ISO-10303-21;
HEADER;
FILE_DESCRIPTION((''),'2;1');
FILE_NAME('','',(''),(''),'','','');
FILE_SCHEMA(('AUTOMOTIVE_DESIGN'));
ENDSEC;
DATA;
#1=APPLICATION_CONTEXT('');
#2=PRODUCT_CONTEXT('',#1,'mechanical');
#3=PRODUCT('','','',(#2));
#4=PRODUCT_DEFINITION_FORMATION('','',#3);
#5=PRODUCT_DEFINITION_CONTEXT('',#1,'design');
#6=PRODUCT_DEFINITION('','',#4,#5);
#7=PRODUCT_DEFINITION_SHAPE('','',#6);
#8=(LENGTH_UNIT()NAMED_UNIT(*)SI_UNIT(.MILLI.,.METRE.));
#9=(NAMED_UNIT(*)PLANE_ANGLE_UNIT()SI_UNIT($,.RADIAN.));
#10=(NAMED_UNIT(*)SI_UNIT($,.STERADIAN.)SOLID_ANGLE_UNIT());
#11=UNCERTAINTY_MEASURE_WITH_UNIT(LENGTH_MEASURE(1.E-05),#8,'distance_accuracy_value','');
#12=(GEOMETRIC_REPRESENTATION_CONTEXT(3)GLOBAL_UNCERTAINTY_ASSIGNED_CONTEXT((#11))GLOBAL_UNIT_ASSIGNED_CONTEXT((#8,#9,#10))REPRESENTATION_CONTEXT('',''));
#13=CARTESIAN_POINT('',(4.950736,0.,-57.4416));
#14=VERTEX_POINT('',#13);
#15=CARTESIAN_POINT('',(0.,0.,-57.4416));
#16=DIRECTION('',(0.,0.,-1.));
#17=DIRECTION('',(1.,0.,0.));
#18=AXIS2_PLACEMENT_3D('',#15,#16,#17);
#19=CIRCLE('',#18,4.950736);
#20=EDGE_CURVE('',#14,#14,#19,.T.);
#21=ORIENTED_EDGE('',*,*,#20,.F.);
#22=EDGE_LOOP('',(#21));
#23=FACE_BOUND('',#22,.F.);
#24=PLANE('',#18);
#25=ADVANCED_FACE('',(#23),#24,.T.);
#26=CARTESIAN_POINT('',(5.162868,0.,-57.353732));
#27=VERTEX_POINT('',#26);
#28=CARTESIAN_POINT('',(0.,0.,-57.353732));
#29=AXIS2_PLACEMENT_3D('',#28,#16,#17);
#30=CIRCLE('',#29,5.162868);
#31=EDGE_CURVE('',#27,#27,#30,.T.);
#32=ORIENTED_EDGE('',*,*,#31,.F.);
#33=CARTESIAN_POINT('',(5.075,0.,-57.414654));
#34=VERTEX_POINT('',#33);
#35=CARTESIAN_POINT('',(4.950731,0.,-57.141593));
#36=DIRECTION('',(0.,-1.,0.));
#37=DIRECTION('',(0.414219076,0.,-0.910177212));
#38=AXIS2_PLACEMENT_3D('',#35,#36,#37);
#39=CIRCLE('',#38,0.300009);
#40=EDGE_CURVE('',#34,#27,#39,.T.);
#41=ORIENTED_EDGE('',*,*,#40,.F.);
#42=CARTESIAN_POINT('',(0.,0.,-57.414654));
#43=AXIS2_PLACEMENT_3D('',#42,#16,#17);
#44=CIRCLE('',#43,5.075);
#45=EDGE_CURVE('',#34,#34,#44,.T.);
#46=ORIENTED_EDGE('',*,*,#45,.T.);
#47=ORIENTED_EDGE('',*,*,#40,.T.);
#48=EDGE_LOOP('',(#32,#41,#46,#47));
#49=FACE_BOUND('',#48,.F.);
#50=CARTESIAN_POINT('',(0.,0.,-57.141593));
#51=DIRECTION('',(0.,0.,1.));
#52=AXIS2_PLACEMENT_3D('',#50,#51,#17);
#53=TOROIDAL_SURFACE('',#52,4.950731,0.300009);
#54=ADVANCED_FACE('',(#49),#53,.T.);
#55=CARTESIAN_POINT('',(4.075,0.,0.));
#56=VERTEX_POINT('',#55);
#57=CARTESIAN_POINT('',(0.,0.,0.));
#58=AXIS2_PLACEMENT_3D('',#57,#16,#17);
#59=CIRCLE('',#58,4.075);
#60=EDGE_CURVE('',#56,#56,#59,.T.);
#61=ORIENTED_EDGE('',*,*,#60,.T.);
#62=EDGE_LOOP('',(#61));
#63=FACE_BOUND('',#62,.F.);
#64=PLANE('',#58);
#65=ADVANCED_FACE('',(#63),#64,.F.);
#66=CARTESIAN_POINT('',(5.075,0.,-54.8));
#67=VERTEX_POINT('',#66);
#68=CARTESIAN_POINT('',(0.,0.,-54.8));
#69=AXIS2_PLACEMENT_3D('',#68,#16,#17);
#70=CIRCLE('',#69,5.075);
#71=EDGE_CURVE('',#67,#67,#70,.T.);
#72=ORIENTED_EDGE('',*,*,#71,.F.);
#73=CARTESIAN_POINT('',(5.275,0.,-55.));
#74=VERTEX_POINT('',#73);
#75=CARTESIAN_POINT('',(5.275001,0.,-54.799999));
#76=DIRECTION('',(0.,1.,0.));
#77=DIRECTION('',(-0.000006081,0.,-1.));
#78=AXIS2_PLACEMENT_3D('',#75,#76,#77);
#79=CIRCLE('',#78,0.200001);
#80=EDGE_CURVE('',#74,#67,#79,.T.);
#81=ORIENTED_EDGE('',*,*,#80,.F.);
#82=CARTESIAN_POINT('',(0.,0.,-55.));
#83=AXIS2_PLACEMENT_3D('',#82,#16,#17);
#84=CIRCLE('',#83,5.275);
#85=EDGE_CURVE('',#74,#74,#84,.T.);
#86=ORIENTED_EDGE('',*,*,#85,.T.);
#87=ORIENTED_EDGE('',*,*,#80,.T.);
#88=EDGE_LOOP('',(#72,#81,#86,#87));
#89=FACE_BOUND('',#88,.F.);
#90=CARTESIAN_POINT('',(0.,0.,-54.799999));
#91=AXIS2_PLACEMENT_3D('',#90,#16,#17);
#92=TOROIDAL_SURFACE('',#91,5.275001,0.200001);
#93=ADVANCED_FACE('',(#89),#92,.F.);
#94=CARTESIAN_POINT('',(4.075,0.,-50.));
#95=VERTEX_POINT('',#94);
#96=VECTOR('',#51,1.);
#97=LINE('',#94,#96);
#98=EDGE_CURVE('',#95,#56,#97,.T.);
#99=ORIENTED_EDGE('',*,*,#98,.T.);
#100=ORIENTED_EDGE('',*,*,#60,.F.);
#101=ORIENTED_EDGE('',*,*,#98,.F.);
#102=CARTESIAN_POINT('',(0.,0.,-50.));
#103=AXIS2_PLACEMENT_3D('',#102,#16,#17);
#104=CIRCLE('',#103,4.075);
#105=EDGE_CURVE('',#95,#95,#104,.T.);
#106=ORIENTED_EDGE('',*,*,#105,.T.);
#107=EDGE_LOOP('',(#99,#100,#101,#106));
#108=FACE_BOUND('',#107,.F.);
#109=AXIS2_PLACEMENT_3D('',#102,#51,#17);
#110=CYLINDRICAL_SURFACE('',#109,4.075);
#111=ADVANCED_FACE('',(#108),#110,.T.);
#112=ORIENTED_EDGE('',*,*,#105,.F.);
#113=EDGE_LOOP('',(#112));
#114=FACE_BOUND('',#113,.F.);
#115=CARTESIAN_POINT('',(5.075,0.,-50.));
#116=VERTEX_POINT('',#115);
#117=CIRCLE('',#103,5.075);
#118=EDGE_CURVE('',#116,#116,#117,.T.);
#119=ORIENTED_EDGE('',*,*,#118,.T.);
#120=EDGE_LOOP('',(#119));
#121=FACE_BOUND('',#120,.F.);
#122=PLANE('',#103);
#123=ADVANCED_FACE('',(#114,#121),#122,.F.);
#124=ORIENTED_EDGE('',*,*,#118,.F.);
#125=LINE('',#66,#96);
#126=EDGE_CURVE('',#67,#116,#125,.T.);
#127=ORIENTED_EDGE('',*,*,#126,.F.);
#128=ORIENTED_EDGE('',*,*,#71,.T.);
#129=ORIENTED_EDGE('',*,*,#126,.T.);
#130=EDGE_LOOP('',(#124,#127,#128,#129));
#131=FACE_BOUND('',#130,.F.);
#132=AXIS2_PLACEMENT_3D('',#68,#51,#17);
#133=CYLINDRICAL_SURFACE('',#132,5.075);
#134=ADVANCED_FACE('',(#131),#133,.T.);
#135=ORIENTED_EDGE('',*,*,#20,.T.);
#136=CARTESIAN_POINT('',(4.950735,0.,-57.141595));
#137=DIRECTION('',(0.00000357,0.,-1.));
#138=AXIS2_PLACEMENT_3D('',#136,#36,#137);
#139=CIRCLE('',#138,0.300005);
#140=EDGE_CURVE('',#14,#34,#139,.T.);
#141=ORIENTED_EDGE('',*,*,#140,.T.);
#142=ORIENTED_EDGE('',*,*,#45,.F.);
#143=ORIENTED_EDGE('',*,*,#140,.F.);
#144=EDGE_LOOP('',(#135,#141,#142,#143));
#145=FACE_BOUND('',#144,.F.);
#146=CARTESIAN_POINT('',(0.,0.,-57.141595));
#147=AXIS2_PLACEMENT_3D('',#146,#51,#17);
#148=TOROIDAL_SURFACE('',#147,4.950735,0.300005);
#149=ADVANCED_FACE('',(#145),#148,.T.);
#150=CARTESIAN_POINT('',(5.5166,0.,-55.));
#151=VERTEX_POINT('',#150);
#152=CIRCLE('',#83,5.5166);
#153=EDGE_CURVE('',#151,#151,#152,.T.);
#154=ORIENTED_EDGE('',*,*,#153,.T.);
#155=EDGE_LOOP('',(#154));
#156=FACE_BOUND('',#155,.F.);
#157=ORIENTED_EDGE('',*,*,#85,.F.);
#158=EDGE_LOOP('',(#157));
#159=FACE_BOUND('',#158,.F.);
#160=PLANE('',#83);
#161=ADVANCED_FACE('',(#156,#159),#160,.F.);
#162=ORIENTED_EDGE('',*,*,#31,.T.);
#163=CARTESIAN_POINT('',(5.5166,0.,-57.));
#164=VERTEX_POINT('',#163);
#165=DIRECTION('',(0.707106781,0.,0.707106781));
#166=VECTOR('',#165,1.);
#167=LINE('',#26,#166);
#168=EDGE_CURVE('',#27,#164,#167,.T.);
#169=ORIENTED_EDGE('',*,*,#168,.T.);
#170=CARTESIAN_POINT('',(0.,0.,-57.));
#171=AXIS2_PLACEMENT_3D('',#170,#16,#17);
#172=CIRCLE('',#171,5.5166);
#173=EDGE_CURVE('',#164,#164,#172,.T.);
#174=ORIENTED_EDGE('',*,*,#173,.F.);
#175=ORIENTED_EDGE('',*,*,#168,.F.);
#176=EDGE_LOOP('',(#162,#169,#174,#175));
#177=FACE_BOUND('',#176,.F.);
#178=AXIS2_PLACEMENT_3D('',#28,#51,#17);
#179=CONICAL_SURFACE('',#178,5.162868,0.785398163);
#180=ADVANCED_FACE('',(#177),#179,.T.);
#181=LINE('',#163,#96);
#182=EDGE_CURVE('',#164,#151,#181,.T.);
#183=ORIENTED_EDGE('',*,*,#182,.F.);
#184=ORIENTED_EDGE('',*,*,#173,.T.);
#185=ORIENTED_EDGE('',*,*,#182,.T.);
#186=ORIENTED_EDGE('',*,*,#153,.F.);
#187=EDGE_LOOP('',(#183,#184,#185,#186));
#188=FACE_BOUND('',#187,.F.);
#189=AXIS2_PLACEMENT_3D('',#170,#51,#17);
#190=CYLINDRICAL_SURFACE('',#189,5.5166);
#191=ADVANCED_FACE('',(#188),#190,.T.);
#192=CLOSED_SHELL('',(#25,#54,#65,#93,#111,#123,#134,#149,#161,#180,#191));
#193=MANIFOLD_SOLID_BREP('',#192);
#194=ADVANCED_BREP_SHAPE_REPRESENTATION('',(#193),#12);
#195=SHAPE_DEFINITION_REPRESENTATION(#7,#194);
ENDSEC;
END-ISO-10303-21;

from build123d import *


with BuildPart() as f1:
    # F0 (on Front) → F1 (revolve)
    with BuildSketch(Plane.XZ):
        with BuildLine():
            Line((4.075, 0), (0, 0))
            Line((0, 0), (0, -57.4416))
            Line((0, -57.4416), (4.950736, -57.4416))
            ThreePointArc((4.950736, -57.4416), (5.014312, -57.434786), (5.075, -57.414654))
            ThreePointArc((5.075, -57.414654), (5.12167, -57.388139), (5.162868, -57.353732))
            Line((5.162868, -57.353732), (5.5166, -57))
            Line((5.5166, -57), (5.5166, -55))
            Line((5.5166, -55), (5.275, -55))
            ThreePointArc((5.275, -55), (5.133579, -54.941421), (5.075, -54.8))
            Line((5.075, -54.8), (5.075, -50))
            Line((5.075, -50), (4.075, -50))
            Line((4.075, -50), (4.075, 0))
        make_face()
    revolve(axis=Axis((0, 0, -28.7208), (0, 0, -1)))


solid = f1.part
